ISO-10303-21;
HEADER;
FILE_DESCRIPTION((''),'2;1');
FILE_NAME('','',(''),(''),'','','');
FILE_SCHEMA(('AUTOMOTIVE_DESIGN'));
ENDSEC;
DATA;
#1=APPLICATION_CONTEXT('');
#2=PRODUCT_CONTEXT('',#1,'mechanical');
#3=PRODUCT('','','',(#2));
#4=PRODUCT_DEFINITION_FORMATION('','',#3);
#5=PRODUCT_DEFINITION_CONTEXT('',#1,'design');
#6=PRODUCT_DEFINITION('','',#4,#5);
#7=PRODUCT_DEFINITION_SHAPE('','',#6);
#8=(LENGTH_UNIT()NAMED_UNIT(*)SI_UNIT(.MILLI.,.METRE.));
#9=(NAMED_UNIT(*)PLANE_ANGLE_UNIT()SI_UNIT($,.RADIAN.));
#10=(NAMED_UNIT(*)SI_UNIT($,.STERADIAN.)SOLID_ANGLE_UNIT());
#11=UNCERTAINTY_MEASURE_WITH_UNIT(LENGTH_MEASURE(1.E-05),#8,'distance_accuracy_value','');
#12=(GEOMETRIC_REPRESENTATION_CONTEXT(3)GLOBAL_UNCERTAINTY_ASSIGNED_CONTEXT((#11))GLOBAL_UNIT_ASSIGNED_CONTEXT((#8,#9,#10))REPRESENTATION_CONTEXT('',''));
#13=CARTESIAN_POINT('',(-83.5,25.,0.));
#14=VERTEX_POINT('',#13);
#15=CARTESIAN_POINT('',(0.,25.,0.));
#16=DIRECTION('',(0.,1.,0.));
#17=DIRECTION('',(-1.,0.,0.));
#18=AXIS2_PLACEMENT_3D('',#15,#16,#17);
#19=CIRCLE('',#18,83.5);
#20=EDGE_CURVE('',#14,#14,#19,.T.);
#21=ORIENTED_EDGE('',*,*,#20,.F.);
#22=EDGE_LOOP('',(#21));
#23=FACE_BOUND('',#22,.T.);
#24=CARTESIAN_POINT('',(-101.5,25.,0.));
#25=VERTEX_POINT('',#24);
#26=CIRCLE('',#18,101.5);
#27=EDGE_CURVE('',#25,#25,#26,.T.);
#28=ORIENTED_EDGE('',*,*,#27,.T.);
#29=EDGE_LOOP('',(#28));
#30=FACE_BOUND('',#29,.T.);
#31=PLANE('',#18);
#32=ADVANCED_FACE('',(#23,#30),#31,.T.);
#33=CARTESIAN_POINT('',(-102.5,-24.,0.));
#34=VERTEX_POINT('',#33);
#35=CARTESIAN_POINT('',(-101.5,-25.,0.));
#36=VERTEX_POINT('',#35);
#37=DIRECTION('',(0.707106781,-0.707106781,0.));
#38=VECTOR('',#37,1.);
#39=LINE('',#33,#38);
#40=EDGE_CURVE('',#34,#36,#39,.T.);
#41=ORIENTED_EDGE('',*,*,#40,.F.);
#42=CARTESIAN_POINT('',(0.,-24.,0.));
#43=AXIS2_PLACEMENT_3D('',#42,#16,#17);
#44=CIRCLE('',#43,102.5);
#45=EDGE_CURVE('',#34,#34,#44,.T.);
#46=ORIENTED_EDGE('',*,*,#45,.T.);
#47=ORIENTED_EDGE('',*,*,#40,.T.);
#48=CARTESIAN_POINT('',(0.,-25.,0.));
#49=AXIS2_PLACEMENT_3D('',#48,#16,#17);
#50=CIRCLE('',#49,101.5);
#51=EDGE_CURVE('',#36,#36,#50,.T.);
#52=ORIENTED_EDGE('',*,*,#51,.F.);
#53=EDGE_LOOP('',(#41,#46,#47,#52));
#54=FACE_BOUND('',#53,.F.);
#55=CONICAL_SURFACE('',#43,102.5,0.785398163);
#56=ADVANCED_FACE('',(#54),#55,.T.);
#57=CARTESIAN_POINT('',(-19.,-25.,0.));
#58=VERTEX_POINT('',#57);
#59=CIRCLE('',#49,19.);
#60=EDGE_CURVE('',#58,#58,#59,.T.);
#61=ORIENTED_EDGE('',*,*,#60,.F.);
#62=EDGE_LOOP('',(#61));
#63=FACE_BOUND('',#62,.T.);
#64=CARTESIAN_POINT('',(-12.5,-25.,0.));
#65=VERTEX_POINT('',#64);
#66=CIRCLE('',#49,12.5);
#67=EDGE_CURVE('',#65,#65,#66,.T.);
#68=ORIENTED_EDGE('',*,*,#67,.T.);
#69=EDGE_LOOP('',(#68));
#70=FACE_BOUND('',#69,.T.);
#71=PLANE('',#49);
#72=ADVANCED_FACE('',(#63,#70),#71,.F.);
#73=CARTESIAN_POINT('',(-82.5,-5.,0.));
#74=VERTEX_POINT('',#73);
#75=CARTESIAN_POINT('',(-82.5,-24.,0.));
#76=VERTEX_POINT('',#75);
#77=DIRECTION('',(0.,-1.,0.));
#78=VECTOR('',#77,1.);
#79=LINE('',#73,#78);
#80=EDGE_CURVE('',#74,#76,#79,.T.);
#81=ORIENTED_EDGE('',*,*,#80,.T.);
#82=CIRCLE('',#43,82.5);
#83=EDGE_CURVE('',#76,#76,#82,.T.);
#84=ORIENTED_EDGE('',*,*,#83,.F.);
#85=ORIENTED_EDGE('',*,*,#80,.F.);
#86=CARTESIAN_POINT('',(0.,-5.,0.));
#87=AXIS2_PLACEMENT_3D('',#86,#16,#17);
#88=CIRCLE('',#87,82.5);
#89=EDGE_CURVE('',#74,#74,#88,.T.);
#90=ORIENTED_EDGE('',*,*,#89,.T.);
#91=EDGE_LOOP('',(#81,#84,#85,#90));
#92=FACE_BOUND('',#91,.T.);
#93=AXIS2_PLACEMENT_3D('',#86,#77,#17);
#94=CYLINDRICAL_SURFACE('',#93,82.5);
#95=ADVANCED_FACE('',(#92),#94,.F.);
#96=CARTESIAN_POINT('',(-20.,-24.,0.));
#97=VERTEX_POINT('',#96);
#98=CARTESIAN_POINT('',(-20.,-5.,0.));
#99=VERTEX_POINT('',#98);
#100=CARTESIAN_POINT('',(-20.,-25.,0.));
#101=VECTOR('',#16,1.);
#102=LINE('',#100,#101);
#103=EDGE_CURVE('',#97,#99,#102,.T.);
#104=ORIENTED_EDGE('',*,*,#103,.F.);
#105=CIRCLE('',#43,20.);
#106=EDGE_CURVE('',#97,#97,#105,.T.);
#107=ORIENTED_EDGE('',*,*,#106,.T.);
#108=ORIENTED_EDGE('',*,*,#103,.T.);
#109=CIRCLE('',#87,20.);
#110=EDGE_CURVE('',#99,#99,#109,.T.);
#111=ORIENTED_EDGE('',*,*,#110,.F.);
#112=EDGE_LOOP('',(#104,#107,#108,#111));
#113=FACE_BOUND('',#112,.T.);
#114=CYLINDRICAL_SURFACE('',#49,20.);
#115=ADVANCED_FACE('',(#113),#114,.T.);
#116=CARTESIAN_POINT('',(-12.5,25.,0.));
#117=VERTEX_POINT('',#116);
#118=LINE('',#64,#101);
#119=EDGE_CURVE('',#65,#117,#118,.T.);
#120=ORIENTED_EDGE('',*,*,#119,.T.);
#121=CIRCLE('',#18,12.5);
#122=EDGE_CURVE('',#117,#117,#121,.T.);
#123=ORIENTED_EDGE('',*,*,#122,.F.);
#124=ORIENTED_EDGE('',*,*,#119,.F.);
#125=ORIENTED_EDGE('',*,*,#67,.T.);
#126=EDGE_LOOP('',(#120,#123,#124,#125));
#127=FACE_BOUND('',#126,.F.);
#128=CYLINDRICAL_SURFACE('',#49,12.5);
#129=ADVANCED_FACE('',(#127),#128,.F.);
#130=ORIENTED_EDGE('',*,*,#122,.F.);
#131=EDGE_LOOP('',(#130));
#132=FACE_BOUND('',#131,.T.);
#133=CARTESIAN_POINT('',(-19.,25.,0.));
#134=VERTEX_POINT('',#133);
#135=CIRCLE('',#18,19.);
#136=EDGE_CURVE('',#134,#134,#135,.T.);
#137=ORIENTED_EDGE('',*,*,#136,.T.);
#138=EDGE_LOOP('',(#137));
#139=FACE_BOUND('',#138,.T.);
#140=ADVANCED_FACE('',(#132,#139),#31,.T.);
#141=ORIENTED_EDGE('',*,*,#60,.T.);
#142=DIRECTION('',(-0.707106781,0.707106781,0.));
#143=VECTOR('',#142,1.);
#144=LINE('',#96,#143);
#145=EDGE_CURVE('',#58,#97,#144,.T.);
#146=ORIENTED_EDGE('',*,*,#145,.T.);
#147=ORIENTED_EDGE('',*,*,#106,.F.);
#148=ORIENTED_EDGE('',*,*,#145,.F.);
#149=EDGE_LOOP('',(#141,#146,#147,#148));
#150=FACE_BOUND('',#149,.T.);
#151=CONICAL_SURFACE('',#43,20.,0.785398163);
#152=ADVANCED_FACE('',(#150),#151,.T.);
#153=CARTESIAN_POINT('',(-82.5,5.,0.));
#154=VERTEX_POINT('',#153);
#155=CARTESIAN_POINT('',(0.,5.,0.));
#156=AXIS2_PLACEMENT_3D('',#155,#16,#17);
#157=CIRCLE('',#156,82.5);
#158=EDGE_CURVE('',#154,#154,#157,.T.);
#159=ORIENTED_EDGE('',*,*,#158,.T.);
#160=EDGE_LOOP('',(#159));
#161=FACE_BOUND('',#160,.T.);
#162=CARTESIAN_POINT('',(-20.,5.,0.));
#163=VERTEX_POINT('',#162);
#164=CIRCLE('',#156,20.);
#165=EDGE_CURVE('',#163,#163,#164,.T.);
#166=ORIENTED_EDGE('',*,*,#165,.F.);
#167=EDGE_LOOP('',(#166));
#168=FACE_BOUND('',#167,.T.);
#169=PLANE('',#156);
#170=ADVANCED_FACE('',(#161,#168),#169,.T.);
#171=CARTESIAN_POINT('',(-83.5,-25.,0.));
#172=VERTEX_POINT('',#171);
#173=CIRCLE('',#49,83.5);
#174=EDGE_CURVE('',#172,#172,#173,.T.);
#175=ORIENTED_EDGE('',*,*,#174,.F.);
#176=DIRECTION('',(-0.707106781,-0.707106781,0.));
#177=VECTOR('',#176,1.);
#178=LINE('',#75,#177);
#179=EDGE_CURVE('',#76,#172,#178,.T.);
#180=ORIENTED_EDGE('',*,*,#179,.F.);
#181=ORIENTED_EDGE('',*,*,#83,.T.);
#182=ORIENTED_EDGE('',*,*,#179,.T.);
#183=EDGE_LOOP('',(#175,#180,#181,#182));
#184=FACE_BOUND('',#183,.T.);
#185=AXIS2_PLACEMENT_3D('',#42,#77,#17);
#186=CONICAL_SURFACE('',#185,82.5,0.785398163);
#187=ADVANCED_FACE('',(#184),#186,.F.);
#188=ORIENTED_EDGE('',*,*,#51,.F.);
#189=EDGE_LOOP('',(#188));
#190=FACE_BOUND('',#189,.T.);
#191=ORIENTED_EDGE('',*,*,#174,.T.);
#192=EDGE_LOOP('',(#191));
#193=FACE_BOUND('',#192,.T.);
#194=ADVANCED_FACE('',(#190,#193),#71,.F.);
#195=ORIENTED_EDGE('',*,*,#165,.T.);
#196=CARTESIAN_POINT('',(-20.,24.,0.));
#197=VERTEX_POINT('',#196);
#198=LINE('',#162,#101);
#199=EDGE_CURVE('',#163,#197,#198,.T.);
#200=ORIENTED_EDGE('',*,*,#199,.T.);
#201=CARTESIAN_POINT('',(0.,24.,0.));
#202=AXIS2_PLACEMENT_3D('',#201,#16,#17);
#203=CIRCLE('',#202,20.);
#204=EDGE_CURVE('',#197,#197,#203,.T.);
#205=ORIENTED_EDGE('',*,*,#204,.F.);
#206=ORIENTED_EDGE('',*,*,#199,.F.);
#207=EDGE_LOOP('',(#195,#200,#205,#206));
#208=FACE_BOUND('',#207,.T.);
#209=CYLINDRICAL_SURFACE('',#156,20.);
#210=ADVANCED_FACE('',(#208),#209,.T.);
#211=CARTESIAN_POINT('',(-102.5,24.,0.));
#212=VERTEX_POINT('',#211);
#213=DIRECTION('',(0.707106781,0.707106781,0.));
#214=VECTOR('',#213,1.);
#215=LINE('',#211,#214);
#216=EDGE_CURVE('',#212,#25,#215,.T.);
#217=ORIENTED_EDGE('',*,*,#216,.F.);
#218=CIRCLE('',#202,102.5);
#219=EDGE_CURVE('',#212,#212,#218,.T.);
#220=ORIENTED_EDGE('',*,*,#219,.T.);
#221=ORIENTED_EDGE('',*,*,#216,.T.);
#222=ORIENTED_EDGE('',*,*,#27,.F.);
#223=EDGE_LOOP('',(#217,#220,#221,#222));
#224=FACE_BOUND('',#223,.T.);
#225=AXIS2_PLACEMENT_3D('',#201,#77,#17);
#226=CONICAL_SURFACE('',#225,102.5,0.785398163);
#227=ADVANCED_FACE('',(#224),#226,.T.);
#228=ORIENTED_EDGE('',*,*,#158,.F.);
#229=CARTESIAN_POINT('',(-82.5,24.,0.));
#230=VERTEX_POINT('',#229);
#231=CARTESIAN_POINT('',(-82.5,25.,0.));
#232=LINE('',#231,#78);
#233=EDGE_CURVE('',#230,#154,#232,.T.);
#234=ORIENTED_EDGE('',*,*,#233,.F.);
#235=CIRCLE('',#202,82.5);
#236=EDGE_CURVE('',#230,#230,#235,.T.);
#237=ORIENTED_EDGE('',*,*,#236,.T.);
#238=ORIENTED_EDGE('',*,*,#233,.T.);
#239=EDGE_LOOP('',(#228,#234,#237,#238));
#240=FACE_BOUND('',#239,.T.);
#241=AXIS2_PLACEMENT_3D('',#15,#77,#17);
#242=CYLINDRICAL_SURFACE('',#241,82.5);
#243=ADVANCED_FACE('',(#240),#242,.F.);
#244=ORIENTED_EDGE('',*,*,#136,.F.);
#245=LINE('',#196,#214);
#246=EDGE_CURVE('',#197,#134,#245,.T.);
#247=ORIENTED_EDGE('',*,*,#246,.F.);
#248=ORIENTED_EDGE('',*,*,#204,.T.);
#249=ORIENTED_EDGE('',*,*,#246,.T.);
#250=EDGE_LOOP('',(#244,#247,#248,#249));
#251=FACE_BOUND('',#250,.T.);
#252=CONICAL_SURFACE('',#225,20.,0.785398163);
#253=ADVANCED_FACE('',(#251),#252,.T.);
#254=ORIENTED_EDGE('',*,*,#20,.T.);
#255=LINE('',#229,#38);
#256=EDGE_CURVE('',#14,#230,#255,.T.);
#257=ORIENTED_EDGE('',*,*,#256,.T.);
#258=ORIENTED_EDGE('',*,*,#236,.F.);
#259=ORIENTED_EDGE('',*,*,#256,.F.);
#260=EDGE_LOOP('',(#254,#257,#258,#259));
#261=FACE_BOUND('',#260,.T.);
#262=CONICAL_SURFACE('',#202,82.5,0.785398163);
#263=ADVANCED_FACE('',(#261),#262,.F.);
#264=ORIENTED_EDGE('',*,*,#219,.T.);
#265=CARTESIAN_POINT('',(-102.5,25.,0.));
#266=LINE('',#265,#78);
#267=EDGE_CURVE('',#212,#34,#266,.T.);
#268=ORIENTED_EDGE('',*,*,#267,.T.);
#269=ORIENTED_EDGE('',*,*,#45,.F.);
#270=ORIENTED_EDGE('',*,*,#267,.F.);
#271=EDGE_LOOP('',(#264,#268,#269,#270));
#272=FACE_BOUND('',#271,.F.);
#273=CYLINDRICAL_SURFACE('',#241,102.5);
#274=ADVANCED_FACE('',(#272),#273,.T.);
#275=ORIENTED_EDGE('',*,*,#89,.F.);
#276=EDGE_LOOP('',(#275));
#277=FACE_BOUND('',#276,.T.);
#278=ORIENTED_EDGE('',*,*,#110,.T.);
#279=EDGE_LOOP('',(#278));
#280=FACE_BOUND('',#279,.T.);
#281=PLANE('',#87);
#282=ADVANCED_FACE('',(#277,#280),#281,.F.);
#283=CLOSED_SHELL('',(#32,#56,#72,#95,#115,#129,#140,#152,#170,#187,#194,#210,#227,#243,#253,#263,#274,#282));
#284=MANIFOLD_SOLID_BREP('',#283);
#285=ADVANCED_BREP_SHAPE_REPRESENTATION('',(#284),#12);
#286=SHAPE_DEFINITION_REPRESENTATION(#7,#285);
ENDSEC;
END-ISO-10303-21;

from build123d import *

# Parameters (mm, degrees)
CHAMFER_SIZE = 1


with BuildPart() as part:
    # Sketch → Revolution (revolve)
    with BuildSketch(Plane.XY):
        Polygon((-102.5, 0), (-102.5, 25), (-82.5, 25), (-82.5, 5), (-20, 5), (-20, 25), (-12.5, 25), (-12.5, 0), (-12.5, -25), (-20, -25), (-20, -5), (-82.5, -5), (-82.5, -25), (-102.5, -25), align=None)
    revolve(axis=Axis((0, 0, 0), (0, 1, 0)))

    # Chamfer
    chamfer_edges = [part.edges().sort_by_distance(p)[0] for p in [
        (82.5, 25, 0),
        (102.5, -25, 0),
        (102.5, 25, 0),
        (20, 25, 0),
        (82.5, -25, 0),
        (20, -25, 0),
    ]]
    chamfer(chamfer_edges, length=CHAMFER_SIZE)


solid = part.part
